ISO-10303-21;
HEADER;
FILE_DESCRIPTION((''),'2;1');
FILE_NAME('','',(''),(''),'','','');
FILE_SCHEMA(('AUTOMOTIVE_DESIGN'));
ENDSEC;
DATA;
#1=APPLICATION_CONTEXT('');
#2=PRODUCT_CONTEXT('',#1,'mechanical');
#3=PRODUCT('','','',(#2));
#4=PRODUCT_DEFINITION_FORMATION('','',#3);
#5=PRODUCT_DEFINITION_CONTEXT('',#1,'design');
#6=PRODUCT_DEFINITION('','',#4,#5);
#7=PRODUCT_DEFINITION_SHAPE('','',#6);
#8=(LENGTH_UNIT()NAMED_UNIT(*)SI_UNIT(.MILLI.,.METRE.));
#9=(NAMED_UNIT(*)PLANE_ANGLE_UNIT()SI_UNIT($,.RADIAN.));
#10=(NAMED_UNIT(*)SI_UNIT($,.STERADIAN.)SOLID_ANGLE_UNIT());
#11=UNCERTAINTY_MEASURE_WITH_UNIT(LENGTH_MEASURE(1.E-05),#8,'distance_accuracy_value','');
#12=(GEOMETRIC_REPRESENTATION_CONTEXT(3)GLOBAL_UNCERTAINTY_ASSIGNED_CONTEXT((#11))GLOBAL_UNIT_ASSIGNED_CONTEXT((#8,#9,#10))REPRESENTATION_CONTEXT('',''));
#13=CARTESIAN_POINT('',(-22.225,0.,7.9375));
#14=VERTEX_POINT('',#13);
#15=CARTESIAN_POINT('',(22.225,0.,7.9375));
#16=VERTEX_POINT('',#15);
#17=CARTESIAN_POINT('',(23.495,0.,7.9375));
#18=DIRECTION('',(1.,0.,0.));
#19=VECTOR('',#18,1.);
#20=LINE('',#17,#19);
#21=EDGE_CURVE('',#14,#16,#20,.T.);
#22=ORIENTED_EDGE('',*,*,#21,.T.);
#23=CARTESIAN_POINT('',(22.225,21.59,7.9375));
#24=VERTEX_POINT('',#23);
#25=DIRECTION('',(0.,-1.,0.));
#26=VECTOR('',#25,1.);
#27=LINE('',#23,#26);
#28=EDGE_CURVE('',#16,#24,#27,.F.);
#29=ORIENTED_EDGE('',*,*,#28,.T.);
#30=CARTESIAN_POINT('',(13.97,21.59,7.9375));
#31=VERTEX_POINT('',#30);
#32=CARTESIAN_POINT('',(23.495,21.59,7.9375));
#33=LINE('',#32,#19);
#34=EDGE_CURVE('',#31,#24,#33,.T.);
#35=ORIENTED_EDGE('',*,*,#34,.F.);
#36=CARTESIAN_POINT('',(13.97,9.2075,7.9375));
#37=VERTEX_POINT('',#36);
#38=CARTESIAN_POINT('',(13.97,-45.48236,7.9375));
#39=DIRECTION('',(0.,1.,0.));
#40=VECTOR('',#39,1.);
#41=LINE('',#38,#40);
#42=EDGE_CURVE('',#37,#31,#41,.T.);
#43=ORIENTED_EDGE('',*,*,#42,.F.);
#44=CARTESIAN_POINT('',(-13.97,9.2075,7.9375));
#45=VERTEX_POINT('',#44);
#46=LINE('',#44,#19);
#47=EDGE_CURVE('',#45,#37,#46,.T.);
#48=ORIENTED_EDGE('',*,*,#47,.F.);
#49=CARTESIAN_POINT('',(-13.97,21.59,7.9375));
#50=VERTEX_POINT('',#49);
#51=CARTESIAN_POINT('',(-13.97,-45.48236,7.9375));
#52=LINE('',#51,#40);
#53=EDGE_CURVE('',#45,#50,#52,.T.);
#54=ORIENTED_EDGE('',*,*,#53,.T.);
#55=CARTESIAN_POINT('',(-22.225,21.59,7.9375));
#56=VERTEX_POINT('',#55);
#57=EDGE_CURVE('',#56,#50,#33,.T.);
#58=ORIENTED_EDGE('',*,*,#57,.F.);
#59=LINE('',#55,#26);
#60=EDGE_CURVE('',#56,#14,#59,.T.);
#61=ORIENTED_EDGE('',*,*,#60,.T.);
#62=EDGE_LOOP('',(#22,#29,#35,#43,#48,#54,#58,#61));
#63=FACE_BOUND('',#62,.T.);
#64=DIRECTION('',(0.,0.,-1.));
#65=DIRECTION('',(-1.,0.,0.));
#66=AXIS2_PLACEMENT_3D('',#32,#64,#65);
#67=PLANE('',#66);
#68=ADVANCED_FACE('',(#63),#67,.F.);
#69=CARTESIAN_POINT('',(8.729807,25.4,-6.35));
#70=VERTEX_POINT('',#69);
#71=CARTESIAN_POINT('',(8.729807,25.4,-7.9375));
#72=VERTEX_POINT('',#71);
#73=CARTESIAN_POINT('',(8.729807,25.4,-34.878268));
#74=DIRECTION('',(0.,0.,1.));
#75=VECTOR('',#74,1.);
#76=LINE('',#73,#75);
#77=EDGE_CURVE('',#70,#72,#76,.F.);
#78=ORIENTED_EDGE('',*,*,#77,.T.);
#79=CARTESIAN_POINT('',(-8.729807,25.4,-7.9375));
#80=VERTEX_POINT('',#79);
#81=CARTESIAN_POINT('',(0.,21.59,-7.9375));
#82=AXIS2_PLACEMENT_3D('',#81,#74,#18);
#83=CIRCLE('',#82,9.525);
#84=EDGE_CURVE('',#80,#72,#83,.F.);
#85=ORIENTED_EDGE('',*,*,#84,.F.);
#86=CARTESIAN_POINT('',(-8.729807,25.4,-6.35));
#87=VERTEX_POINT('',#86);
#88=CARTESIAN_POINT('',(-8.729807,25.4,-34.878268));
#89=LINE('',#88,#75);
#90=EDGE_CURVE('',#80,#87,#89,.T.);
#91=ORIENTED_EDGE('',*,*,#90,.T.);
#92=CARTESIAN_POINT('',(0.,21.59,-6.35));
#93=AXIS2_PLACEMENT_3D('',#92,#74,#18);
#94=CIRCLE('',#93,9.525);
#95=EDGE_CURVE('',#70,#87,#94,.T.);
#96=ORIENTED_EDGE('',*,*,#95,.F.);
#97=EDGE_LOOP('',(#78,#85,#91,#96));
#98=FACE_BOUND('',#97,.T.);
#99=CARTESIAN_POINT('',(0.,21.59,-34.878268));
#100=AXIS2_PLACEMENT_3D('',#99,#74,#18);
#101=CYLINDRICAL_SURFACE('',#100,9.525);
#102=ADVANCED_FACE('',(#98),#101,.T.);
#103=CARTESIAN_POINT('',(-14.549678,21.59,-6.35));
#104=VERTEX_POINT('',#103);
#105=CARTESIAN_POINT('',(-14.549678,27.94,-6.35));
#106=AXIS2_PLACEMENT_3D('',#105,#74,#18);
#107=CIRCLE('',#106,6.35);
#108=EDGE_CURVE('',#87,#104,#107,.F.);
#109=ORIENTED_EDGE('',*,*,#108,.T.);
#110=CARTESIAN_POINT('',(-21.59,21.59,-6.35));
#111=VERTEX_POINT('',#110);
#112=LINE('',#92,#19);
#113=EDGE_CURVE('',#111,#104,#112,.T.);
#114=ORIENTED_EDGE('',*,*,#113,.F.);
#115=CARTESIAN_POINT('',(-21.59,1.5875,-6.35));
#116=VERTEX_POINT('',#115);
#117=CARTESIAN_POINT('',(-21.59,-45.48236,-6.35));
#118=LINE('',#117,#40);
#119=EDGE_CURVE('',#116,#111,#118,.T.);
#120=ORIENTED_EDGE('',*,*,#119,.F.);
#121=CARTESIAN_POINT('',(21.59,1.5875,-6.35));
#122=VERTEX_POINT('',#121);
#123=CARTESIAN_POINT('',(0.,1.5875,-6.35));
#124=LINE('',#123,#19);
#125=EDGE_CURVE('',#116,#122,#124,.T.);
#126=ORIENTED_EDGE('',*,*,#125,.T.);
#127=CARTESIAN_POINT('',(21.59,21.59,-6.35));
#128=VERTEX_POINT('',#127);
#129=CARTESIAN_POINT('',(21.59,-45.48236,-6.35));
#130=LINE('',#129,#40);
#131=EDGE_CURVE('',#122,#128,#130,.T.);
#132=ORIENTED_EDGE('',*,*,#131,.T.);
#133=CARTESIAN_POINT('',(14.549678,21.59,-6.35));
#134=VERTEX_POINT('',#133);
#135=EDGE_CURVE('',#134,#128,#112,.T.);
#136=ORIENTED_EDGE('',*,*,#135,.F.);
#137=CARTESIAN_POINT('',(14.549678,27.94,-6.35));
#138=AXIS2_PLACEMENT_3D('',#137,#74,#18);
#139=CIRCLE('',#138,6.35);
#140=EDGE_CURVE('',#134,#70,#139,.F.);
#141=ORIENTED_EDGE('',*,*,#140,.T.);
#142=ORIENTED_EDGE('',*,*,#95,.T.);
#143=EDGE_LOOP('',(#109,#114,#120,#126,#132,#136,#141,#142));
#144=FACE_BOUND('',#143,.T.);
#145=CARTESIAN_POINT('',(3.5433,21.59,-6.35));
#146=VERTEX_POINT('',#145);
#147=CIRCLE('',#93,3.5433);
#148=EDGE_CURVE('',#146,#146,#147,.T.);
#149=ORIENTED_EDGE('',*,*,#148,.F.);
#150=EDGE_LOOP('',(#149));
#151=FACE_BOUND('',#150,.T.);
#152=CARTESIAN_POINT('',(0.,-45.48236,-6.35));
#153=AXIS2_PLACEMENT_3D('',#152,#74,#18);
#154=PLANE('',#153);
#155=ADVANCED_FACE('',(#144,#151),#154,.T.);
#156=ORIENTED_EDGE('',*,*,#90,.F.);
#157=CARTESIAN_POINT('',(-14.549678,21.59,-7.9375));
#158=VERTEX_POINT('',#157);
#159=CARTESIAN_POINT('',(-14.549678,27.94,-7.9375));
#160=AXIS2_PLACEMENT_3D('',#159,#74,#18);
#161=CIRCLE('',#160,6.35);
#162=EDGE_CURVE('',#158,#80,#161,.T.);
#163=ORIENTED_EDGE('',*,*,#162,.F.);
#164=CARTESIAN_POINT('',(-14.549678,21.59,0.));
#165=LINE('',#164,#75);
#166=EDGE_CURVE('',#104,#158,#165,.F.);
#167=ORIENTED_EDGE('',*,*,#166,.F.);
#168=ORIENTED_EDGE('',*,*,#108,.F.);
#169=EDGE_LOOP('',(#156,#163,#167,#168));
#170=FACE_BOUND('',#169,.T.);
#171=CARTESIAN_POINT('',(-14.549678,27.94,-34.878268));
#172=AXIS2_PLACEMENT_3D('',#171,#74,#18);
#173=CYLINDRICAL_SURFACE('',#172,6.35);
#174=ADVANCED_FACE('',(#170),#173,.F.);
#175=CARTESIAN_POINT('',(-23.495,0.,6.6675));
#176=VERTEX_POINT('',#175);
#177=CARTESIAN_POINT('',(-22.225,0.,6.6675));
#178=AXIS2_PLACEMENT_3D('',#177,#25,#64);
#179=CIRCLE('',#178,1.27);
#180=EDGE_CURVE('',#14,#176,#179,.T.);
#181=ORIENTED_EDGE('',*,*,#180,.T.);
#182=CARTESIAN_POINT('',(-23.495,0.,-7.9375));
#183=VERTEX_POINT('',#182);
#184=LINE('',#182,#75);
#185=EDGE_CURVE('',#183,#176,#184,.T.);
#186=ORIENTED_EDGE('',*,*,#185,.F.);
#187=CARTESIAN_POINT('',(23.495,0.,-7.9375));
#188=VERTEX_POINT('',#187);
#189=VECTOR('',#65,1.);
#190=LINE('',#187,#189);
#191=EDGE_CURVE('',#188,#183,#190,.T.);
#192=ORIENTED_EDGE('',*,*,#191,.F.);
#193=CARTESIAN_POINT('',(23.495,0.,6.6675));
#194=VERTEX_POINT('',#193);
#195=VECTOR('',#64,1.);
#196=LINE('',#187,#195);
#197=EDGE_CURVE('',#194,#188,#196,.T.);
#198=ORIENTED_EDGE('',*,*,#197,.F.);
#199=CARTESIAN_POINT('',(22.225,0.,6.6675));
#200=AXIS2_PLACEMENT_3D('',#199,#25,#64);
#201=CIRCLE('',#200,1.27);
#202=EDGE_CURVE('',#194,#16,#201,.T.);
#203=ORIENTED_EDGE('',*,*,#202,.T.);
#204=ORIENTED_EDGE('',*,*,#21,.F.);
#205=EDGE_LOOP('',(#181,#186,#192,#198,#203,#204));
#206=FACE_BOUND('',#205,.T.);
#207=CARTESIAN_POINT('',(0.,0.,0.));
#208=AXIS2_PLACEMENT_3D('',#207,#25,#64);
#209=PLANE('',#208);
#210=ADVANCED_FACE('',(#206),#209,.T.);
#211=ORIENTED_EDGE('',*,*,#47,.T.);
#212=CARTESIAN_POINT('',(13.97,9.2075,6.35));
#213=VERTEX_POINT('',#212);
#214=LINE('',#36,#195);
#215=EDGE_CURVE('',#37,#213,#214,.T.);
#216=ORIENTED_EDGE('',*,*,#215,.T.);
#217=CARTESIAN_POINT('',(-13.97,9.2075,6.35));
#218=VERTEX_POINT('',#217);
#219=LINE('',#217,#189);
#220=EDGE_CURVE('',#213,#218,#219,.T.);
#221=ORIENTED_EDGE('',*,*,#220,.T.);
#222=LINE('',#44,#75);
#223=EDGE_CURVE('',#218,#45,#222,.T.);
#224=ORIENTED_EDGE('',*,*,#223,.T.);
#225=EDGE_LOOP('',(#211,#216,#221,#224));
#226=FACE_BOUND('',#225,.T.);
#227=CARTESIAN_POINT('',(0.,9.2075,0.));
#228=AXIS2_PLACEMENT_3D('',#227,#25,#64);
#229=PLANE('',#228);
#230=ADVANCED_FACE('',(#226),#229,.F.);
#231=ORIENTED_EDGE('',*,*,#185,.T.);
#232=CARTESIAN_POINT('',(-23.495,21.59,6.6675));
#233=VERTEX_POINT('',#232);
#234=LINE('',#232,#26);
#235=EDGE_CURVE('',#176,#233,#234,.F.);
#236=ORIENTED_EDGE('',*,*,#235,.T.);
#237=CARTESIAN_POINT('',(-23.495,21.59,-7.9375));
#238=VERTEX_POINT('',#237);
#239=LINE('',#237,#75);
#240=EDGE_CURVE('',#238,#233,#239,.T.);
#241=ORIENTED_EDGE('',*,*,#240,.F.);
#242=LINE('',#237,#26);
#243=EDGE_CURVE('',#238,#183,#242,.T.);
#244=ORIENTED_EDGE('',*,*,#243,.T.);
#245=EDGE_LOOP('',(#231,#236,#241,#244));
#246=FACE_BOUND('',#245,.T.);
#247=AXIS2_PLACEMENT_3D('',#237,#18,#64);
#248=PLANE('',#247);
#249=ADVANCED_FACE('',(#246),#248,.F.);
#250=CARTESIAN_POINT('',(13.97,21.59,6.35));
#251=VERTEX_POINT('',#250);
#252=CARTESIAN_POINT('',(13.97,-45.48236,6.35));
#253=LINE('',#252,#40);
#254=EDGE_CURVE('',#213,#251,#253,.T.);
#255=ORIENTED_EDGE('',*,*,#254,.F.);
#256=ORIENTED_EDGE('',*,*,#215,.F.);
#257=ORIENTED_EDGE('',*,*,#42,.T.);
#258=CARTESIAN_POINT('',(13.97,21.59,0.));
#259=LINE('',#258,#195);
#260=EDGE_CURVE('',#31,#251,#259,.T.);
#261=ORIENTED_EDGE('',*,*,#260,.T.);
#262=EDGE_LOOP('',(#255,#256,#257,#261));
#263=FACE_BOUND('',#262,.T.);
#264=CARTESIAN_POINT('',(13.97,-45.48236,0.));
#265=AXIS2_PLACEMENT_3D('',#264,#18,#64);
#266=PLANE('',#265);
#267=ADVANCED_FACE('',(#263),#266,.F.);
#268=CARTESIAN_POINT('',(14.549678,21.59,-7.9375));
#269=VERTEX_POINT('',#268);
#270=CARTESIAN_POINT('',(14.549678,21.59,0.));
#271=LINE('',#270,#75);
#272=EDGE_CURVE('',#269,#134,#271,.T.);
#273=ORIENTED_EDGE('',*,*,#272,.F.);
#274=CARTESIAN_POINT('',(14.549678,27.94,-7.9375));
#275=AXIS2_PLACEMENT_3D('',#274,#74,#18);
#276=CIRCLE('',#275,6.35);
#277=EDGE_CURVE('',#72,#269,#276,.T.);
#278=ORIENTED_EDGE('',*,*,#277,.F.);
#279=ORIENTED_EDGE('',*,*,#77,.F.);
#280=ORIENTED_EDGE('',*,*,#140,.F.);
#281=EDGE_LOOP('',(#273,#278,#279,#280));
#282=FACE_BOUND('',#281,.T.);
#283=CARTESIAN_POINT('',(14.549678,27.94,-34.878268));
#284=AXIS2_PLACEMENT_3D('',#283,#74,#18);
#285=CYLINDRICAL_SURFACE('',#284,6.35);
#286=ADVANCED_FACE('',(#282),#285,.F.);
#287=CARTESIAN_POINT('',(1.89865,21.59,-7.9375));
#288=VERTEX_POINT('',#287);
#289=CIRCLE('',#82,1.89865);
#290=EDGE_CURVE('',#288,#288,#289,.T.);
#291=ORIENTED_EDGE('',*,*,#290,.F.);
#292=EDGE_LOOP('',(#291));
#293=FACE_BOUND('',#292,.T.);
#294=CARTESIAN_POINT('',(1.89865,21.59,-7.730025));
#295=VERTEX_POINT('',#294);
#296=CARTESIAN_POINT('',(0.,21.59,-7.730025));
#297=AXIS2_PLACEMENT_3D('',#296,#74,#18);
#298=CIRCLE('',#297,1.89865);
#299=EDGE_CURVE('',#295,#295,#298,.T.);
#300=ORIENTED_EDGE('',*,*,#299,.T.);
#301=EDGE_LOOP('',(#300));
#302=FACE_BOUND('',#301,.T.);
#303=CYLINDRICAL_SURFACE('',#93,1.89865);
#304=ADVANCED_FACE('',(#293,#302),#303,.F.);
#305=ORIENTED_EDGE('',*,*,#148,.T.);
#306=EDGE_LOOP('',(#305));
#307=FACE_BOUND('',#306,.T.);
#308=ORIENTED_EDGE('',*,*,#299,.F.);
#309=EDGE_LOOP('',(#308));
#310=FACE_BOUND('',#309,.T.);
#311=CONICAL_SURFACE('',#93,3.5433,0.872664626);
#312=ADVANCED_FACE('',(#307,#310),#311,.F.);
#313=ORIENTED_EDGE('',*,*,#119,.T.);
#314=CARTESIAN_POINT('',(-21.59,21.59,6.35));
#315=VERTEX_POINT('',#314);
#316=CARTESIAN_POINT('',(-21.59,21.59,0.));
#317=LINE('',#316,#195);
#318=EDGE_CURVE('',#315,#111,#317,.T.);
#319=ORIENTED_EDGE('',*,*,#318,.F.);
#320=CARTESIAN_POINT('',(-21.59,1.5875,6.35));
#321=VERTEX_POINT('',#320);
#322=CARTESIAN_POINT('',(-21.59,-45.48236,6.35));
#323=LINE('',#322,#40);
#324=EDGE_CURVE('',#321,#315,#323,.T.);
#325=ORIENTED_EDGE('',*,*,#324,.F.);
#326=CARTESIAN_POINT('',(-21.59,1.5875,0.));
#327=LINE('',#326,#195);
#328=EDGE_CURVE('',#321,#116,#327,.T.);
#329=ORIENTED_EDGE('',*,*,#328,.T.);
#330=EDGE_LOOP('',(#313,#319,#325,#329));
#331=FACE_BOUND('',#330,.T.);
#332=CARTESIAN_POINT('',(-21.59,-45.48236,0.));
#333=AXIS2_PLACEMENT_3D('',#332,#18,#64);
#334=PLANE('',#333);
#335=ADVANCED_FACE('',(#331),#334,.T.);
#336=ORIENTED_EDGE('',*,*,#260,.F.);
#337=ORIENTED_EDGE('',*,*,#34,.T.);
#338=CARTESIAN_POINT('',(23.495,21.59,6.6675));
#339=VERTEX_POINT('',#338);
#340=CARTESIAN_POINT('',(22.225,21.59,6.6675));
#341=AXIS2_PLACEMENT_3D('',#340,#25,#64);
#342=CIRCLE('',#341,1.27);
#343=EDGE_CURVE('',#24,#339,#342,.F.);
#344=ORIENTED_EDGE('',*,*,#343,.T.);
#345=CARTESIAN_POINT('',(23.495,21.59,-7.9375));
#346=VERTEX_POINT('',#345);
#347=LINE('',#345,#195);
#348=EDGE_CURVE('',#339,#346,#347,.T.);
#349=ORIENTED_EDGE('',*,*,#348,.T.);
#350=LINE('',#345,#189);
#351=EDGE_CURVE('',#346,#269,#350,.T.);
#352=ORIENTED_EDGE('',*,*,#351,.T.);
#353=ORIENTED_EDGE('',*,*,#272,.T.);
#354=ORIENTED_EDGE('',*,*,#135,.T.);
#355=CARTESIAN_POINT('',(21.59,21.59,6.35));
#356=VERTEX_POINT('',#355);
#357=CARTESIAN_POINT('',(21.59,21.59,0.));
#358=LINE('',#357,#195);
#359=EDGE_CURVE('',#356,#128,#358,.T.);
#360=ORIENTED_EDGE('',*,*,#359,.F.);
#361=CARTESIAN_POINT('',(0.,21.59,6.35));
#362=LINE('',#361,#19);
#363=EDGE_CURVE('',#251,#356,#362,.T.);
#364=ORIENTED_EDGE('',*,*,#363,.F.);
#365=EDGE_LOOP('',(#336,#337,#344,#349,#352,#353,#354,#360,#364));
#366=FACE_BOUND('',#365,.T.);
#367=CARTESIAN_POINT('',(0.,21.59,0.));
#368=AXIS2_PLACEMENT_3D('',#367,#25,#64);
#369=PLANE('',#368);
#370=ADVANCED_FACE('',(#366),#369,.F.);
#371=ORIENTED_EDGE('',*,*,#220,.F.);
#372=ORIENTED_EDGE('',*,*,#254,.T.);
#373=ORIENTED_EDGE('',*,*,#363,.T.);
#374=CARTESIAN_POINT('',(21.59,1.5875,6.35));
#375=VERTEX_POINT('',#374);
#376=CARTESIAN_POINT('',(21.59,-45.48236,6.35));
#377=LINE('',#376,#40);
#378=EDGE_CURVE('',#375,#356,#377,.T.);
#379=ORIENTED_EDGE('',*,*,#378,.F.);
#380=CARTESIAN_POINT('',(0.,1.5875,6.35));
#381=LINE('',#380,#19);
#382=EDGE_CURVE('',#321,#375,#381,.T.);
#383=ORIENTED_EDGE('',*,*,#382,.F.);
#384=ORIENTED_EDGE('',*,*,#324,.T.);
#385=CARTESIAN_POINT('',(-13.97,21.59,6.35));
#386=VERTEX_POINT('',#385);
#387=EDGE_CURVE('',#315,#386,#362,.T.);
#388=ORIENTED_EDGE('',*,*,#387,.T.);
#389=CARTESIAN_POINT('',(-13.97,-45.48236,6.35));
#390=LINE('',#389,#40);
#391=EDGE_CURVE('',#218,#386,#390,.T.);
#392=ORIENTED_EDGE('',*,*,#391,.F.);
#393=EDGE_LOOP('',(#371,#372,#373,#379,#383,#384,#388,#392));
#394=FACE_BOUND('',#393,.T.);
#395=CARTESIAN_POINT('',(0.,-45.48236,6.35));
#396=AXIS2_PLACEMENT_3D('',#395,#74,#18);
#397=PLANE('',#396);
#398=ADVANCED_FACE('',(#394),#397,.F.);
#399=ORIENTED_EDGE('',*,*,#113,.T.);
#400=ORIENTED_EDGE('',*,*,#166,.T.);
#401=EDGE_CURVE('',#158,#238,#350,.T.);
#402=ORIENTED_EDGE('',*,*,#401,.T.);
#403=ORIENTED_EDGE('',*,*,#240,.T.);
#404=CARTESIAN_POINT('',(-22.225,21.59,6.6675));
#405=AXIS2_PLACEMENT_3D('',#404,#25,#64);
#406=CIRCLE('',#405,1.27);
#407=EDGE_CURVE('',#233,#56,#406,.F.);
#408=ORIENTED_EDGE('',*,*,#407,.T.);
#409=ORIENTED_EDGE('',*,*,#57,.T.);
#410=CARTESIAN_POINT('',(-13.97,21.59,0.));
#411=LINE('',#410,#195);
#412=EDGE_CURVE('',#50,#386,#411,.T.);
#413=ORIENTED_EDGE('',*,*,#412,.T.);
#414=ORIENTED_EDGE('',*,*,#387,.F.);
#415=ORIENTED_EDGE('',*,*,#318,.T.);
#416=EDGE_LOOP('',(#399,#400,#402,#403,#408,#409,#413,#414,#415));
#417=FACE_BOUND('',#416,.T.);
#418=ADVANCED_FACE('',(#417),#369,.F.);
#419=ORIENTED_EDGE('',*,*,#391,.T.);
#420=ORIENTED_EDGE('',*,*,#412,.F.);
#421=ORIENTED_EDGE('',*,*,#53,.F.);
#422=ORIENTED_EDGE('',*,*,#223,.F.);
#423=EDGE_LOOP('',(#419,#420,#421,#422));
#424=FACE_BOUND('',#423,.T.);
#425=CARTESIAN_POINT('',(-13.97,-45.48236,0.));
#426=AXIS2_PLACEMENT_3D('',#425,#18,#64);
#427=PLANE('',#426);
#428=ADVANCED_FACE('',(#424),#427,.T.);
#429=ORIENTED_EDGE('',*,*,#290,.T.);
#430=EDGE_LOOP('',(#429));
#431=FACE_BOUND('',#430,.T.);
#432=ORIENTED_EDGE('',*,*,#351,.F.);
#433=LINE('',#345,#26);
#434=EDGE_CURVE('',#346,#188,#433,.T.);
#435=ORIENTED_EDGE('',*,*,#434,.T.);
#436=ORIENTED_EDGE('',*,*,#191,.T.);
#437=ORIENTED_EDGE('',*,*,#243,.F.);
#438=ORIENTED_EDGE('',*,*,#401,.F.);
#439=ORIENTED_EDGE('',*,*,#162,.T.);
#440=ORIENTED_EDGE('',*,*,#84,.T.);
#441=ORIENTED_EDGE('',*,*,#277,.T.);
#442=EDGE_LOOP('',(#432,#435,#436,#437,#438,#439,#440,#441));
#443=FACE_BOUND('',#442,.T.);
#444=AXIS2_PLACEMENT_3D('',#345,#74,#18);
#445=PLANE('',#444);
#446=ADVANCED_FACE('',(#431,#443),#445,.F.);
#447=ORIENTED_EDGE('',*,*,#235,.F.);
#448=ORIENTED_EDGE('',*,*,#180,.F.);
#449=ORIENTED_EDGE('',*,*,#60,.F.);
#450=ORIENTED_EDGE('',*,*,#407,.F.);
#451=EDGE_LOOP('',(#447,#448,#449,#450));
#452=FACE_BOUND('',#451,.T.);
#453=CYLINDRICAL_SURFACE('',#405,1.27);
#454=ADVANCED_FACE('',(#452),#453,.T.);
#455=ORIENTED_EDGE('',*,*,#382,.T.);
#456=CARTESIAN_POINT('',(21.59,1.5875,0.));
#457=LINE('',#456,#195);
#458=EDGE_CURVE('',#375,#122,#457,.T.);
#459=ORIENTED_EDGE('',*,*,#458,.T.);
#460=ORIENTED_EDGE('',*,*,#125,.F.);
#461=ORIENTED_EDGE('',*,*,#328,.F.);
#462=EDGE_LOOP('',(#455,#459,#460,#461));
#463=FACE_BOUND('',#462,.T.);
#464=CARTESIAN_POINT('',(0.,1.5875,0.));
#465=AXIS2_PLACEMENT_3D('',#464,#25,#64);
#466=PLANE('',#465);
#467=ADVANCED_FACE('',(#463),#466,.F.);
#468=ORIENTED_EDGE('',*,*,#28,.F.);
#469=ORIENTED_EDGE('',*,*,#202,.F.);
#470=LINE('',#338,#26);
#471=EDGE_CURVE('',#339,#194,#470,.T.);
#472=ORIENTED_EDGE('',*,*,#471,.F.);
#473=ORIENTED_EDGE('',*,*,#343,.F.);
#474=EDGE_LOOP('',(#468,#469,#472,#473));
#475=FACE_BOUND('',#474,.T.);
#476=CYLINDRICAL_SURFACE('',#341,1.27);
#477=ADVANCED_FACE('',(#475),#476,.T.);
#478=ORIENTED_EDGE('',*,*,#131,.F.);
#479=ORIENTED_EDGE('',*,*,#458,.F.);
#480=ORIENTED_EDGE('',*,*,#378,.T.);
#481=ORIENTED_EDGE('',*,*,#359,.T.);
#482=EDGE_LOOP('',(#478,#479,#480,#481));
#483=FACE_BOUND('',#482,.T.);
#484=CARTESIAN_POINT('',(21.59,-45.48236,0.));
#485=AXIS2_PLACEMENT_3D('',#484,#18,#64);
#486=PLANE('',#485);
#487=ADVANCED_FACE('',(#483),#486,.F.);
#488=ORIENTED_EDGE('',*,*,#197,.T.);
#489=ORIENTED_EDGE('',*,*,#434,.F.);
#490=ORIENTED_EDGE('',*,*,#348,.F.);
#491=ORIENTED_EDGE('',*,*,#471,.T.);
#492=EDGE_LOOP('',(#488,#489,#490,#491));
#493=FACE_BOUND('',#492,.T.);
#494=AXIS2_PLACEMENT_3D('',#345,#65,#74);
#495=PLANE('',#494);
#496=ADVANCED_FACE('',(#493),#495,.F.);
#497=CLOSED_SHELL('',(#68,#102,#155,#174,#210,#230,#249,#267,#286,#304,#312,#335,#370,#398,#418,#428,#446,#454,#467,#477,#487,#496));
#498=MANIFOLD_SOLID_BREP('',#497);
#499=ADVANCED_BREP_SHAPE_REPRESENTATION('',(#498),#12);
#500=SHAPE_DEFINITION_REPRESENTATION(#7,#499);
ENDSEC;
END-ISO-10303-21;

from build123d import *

# Parameters (mm, degrees)
SKETCH1_W           = 46.99
SKETCH1_H           = 15.875
BOSS_EXTRUDE1_DEPTH = 21.59
SKETCH2_W           = 43.18
SKETCH2_H           = 12.7
SKETCH2_W_2         = 27.94
SKETCH2_H_2         = 1.5875
CUT_EXTRUDE1_DEPTH  = 20.0025
SKETCH3_R           = 9.525
BOSS_EXTRUDE2_DEPTH = 1.5875
FILLET1_R           = 6.35
FILLET2_R           = 1.27
SKETCH9_W           = 27.94
SKETCH9_H           = 1.5875
BOSS_EXTRUDE3_DEPTH = 7.62


with BuildPart() as part:
    # Sketch1 → Boss-Extrude1 (new body)
    with BuildSketch(Plane(origin=(0, 0, 0), x_dir=(1, 0, 0), z_dir=(0, 1, 0))):
        Rectangle(SKETCH1_W, SKETCH1_H)
    extrude(amount=BOSS_EXTRUDE1_DEPTH)

    # Sketch2 → Cut-Extrude1 (cut)
    with BuildSketch(Plane(origin=(0, 21.59, 0), x_dir=(1, 0, 0), z_dir=(0, 1, 0))):
        Rectangle(SKETCH2_W, SKETCH2_H)
        with Locations((0, -7.14375)):
            Rectangle(SKETCH2_W_2, SKETCH2_H_2)
    extrude(amount=-CUT_EXTRUDE1_DEPTH, mode=Mode.SUBTRACT)

    # Sketch3 → Boss-Extrude2 (add)
    with BuildSketch(Plane.XY.offset(-6.35)):
        with Locations((0, 21.59)):
            Circle(SKETCH3_R)
    extrude(amount=-BOSS_EXTRUDE2_DEPTH)

    # Sketch7 → CSK for #6 Flat Head Machine Screw (100)1 (revolve, cut)
    with BuildSketch(Plane(origin=(0, 21.59, -6.35), x_dir=(0, -1, 0), z_dir=(1, 0, 0))):
        Polygon((0, 0), (0, 1.5875), (1.89865, 1.5875), (1.89865, 1.380025208), (3.5433, 0), align=None)
    revolve(axis=Axis((0, 21.59, 0), (0, 0, -1)), mode=Mode.SUBTRACT)

    # Fillet1
    fillet1_edges = [part.edges().sort_by_distance(p)[0] for p in [
        (9.525, 21.59, -7.14375),
        (-9.525, 21.59, -7.14375),
    ]]
    fillet(fillet1_edges, radius=FILLET1_R)

    # Fillet2
    fillet2_edges = [part.edges().sort_by_distance(p)[0] for p in [
        (23.495, 10.795, 7.9375),
        (-23.495, 10.795, 7.9375),
    ]]
    fillet(fillet2_edges, radius=FILLET2_R)

    # Sketch9 → Boss-Extrude3 (add)
    with BuildSketch(Plane(origin=(0, 1.5875, 0), x_dir=(1, 0, 0), z_dir=(0, 1, 0))):
        with Locations((0, -7.14375)):
            Rectangle(SKETCH9_W, SKETCH9_H)
    extrude(amount=BOSS_EXTRUDE3_DEPTH)


solid = part.part
